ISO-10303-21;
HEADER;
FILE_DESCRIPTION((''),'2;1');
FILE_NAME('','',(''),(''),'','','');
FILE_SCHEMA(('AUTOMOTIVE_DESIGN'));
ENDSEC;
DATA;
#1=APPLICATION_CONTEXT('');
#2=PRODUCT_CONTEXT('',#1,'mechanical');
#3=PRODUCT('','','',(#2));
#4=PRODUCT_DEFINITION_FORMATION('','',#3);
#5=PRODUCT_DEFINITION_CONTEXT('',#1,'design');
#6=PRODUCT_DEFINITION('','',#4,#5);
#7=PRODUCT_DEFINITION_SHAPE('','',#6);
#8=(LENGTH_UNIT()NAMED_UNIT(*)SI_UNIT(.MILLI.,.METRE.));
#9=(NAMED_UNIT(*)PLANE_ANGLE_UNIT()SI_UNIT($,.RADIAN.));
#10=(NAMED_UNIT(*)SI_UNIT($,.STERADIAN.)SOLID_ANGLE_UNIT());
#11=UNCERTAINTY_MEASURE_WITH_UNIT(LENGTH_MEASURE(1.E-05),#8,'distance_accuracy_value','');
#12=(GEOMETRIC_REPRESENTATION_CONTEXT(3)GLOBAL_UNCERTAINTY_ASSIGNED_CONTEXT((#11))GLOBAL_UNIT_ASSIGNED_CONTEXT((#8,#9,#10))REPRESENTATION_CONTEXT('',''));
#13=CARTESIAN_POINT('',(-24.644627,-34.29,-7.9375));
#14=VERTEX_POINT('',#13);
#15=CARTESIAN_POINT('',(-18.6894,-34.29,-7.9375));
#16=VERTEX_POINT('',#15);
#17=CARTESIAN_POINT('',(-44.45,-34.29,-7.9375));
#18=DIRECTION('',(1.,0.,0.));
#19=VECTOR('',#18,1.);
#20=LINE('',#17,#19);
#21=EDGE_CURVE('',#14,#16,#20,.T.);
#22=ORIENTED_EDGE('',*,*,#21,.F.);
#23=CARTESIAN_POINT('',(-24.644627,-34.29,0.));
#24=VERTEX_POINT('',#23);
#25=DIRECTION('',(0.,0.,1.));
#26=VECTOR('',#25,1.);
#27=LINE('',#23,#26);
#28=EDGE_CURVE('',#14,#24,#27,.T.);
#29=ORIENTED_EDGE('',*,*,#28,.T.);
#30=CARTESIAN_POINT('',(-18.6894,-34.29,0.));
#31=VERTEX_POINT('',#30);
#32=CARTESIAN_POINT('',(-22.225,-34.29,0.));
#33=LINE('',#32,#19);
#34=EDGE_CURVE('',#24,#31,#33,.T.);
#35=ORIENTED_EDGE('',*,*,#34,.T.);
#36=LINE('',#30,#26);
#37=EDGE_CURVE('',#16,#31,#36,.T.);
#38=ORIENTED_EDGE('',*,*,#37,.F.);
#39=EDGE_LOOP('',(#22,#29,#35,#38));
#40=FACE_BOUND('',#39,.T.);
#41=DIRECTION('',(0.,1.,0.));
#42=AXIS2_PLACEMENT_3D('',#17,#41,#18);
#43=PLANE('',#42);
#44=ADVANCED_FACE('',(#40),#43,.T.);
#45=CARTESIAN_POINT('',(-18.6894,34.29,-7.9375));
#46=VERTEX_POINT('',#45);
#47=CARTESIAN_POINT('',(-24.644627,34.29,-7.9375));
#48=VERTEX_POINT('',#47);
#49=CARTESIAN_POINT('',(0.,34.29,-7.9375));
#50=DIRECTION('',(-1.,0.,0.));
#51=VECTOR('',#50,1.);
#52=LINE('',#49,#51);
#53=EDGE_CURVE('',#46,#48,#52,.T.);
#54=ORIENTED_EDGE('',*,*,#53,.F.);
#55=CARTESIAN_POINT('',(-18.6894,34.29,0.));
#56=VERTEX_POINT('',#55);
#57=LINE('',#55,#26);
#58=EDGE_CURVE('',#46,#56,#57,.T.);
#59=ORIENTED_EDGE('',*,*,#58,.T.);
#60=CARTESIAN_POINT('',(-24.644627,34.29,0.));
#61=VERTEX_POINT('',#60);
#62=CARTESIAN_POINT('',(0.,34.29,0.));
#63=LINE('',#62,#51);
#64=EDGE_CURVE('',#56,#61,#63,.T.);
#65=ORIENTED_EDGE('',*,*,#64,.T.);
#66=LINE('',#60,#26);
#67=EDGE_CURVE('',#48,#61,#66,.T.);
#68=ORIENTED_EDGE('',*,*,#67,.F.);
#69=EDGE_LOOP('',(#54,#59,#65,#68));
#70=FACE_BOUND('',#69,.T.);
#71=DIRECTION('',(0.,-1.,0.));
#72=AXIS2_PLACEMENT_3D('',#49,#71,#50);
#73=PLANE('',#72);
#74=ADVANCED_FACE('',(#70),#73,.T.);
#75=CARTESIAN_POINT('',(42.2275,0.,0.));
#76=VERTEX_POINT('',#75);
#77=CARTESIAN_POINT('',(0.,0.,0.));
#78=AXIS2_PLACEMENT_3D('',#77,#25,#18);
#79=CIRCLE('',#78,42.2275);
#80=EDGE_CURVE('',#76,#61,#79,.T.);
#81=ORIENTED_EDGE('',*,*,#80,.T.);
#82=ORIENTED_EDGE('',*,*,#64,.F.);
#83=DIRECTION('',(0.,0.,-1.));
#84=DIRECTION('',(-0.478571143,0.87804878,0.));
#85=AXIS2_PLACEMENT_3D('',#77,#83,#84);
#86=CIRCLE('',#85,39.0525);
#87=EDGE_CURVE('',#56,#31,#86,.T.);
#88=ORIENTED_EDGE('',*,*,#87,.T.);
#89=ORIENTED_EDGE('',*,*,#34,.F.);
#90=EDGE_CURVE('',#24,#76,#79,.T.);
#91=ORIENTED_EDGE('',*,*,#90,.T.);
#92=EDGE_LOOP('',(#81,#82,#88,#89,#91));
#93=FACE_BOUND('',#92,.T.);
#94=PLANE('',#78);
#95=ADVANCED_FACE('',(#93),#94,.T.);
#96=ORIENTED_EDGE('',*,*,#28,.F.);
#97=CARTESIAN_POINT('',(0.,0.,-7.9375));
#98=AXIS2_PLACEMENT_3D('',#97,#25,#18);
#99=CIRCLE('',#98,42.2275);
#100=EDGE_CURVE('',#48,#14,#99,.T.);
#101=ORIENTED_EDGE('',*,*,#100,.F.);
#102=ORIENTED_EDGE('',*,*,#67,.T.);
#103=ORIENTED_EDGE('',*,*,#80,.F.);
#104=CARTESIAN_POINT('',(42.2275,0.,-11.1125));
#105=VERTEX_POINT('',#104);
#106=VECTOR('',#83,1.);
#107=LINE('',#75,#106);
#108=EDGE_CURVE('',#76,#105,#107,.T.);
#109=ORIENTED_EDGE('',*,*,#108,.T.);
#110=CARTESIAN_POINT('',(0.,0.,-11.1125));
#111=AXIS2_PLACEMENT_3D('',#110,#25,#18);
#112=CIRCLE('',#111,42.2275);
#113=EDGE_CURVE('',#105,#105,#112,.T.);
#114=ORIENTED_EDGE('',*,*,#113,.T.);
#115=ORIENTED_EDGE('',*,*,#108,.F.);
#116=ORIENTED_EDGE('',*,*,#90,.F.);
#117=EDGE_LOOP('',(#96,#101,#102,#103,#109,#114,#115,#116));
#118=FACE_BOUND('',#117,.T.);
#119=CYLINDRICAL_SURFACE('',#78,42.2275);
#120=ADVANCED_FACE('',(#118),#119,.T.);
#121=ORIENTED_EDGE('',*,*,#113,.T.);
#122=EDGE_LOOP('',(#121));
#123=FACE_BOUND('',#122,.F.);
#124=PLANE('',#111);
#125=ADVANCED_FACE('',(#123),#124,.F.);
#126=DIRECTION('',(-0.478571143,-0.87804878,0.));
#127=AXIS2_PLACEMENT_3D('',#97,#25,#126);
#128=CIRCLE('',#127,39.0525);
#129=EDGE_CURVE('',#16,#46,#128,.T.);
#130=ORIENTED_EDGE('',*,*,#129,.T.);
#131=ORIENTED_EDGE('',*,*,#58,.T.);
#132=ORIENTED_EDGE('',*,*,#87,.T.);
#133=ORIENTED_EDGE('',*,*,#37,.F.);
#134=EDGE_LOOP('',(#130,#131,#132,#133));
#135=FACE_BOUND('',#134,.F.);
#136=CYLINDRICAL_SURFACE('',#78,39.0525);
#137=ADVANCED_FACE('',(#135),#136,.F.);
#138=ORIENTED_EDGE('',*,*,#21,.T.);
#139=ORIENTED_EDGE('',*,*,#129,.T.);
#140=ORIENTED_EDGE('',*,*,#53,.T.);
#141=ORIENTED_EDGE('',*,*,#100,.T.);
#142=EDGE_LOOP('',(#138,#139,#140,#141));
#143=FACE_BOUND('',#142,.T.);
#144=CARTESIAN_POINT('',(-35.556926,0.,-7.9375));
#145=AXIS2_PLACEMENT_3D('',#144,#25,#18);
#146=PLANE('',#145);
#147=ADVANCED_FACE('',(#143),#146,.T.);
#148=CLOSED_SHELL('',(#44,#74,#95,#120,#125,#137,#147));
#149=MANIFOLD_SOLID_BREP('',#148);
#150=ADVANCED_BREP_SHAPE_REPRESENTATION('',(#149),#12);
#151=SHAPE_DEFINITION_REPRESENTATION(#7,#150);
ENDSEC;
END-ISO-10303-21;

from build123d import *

# Parameters (mm, degrees)
F2_R        = 42.2275
F0_DEPTH    = 11.1125
F3_T        = -3.175
F0_FACE_R   = 42.2275
F0_FACE_R_2 = 39.0525
F4_DEPTH    = 25.4


with BuildPart() as f0:
    # F2 (on Top) → F0 (new body)
    with BuildSketch(Plane.XY):
        Circle(F2_R)
    extrude(amount=-F0_DEPTH)

    # F3
    f3_openings = [f0.faces().sort_by_distance(p)[0] for p in [
        (0, 0, 0),
    ]]
    offset(amount=F3_T, openings=f3_openings)

    # F1 (on face) + F0_face (on face) → F4 (cut)
    with BuildSketch(Plane.XY.offset(-7.9375)):
        with BuildLine():
            ThreePointArc((-18.689399569, -34.29), (-39.0525, 0), (-18.689399569, 34.29))
            Line((-18.689399569, 34.29), (-44.45, 34.29))
            Line((-44.45, 34.29), (-44.45, -34.29))
            Line((-44.45, -34.29), (-18.689399569, -34.29))
        make_face()
        with BuildLine():
            ThreePointArc((-5.9242471252, -34.29), (-34.798, 0), (-5.9242471252, 34.29))
            Line((-5.9242471252, 34.29), (-18.689399569, 34.29))
            ThreePointArc((-18.689399569, 34.29), (-39.0525, 0), (-18.689399569, -34.29))
            Line((-18.689399569, -34.29), (-5.9242471252, -34.29))
        make_face()
        with BuildLine():
            Line((0, 34.29), (-5.9242471252, 34.29))
            ThreePointArc((-5.9242471252, 34.29), (-34.798, 0), (-5.9242471252, -34.29))
            Line((-5.9242471252, -34.29), (0, -34.29))
            ThreePointArc((0, -34.29), (-34.29, 0), (0, 34.29))
        make_face()
    with BuildSketch(Plane.XY):
        Circle(F0_FACE_R)
        Circle(F0_FACE_R_2, mode=Mode.SUBTRACT)
    extrude(amount=F4_DEPTH, mode=Mode.SUBTRACT)


solid = f0.part
